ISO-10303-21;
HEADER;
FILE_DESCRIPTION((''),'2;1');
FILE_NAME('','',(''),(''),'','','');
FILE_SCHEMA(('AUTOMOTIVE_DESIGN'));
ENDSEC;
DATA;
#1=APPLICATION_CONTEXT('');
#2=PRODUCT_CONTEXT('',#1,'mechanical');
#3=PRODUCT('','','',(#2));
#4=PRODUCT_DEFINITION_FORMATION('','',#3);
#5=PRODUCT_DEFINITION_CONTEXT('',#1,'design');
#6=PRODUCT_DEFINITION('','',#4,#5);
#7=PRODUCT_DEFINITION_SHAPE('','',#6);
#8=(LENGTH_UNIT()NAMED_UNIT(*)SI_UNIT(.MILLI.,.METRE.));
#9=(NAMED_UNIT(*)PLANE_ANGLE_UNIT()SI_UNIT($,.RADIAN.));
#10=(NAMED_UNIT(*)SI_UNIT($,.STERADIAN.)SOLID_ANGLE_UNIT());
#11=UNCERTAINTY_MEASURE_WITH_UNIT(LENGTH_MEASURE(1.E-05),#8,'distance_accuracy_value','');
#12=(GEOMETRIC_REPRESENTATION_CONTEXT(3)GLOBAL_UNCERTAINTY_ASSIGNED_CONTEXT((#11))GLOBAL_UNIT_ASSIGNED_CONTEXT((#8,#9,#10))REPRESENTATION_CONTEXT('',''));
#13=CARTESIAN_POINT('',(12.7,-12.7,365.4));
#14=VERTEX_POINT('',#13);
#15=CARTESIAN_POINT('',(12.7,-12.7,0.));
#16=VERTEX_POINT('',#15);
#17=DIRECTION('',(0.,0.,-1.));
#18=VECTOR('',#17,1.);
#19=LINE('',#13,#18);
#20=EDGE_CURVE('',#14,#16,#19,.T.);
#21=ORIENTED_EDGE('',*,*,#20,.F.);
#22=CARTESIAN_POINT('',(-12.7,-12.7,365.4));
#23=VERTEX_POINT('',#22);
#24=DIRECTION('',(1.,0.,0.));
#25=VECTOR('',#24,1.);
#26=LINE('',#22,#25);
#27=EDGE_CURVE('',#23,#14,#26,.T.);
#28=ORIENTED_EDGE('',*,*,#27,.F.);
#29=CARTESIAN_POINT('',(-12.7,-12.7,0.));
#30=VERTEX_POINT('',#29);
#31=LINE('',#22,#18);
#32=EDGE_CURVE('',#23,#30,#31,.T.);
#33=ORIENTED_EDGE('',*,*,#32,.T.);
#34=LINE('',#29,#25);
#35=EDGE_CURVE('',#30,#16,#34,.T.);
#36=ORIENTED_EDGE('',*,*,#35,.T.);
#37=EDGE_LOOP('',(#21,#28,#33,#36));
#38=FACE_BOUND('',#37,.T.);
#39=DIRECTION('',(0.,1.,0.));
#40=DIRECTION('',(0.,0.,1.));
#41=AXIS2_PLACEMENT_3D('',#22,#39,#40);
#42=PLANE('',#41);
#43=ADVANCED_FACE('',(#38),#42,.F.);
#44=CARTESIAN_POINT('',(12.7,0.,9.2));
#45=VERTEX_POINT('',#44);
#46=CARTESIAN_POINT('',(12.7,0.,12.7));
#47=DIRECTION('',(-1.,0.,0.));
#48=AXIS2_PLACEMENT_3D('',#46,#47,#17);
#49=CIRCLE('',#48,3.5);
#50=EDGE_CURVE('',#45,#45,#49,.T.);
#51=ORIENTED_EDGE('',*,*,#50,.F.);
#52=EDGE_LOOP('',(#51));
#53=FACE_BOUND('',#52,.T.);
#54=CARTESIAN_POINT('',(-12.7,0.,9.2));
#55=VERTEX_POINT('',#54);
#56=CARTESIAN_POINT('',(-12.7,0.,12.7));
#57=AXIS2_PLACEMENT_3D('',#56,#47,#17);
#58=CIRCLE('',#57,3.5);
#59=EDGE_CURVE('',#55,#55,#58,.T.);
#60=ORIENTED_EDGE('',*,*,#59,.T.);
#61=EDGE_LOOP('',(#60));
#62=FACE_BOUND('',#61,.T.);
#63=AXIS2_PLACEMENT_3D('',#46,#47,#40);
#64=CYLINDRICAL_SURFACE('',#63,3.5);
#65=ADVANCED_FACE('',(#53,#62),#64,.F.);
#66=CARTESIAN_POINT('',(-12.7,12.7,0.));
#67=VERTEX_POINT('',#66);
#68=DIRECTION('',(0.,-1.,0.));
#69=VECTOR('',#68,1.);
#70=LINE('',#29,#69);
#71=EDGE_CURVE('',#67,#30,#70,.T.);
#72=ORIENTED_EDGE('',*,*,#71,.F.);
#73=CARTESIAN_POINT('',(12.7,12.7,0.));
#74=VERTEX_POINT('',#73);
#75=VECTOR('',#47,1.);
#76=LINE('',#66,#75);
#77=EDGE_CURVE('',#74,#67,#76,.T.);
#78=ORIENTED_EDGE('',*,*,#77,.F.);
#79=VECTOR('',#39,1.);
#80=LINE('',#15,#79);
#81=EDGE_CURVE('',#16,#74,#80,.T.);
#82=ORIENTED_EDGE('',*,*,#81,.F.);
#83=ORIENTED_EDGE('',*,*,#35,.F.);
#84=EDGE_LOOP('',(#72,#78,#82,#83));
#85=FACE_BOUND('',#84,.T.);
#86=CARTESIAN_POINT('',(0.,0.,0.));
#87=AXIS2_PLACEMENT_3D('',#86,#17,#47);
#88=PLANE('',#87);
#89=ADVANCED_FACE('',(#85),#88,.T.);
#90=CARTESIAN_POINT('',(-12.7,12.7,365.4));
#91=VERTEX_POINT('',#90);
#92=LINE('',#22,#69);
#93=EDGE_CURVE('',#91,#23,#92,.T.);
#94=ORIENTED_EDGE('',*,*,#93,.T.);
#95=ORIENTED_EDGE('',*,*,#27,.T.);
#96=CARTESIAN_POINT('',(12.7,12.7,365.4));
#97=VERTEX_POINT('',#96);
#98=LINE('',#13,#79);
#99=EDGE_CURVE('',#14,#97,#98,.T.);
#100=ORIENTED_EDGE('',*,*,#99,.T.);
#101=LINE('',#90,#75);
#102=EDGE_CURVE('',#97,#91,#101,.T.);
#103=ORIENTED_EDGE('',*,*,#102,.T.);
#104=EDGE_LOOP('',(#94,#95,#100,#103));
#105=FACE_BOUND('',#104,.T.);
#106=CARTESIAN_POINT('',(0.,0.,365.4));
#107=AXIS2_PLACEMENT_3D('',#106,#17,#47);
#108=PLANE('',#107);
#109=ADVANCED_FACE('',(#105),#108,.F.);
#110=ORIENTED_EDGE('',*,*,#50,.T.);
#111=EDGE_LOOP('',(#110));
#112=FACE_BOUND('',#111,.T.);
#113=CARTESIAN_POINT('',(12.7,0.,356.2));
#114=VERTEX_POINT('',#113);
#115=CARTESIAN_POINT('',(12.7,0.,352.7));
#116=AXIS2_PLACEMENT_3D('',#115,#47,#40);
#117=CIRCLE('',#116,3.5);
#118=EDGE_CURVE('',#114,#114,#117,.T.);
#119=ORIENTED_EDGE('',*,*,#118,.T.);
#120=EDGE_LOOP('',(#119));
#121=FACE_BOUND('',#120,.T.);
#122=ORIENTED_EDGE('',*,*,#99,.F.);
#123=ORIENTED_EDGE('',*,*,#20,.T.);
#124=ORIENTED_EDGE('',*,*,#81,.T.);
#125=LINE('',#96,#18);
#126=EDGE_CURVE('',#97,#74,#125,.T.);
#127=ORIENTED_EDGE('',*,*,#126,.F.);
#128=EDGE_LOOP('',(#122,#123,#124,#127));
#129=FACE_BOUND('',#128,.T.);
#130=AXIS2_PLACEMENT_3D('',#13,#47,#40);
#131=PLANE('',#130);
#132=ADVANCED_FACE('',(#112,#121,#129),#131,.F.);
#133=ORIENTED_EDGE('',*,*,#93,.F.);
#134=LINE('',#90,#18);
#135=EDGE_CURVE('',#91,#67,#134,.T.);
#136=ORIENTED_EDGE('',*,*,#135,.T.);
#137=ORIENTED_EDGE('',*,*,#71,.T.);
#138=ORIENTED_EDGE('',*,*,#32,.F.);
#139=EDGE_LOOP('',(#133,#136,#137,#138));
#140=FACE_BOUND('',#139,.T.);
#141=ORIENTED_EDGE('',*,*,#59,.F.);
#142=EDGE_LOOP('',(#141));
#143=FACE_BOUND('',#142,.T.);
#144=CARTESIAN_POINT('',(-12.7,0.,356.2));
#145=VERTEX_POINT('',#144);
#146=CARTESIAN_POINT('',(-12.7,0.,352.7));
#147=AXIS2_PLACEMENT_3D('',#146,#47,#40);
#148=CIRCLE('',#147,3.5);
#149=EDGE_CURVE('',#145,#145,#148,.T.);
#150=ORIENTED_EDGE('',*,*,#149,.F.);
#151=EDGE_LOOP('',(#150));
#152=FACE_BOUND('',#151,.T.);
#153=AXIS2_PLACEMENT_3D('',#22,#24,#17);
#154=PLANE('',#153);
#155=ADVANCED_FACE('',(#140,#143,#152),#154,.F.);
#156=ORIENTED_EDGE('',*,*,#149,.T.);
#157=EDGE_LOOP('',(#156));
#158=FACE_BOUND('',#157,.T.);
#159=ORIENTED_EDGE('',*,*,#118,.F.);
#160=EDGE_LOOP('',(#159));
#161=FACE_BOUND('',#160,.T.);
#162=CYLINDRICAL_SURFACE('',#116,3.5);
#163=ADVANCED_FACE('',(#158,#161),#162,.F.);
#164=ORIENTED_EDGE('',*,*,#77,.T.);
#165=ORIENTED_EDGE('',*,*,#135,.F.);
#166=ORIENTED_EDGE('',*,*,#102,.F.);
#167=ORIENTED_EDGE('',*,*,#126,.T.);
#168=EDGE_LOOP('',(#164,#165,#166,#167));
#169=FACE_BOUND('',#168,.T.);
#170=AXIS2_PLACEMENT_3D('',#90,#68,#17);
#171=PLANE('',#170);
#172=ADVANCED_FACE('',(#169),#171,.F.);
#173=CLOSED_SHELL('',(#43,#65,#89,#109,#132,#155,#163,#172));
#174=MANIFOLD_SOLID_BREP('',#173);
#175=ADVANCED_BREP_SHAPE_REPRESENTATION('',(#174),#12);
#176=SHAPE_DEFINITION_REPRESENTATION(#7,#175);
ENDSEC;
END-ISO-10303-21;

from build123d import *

# Parameters (mm, degrees)
SKETCH1_W           = 25.4
SKETCH1_H           = 25.4
BOSS_EXTRUDE1_DEPTH = 365.4
SKETCH10_R          = 3.5
CUT_EXTRUDE6_DEPTH  = 367.501855384


with BuildPart() as part:
    # Sketch1 → Boss-Extrude1 (new body)
    with BuildSketch(Plane.XY):
        Rectangle(SKETCH1_W, SKETCH1_H)
    extrude(amount=BOSS_EXTRUDE1_DEPTH)

    # Sketch10 → Cut-Extrude6 (cut, through all)
    with BuildSketch(Plane.ZY.offset(12.7)):
        with Locations((352.7, 0)):
            Circle(SKETCH10_R)
        with Locations(Location((12.7, 0, 0), (0, 0, 180))):
            Circle(SKETCH10_R)
    extrude(amount=-CUT_EXTRUDE6_DEPTH, mode=Mode.SUBTRACT)


solid = part.part
